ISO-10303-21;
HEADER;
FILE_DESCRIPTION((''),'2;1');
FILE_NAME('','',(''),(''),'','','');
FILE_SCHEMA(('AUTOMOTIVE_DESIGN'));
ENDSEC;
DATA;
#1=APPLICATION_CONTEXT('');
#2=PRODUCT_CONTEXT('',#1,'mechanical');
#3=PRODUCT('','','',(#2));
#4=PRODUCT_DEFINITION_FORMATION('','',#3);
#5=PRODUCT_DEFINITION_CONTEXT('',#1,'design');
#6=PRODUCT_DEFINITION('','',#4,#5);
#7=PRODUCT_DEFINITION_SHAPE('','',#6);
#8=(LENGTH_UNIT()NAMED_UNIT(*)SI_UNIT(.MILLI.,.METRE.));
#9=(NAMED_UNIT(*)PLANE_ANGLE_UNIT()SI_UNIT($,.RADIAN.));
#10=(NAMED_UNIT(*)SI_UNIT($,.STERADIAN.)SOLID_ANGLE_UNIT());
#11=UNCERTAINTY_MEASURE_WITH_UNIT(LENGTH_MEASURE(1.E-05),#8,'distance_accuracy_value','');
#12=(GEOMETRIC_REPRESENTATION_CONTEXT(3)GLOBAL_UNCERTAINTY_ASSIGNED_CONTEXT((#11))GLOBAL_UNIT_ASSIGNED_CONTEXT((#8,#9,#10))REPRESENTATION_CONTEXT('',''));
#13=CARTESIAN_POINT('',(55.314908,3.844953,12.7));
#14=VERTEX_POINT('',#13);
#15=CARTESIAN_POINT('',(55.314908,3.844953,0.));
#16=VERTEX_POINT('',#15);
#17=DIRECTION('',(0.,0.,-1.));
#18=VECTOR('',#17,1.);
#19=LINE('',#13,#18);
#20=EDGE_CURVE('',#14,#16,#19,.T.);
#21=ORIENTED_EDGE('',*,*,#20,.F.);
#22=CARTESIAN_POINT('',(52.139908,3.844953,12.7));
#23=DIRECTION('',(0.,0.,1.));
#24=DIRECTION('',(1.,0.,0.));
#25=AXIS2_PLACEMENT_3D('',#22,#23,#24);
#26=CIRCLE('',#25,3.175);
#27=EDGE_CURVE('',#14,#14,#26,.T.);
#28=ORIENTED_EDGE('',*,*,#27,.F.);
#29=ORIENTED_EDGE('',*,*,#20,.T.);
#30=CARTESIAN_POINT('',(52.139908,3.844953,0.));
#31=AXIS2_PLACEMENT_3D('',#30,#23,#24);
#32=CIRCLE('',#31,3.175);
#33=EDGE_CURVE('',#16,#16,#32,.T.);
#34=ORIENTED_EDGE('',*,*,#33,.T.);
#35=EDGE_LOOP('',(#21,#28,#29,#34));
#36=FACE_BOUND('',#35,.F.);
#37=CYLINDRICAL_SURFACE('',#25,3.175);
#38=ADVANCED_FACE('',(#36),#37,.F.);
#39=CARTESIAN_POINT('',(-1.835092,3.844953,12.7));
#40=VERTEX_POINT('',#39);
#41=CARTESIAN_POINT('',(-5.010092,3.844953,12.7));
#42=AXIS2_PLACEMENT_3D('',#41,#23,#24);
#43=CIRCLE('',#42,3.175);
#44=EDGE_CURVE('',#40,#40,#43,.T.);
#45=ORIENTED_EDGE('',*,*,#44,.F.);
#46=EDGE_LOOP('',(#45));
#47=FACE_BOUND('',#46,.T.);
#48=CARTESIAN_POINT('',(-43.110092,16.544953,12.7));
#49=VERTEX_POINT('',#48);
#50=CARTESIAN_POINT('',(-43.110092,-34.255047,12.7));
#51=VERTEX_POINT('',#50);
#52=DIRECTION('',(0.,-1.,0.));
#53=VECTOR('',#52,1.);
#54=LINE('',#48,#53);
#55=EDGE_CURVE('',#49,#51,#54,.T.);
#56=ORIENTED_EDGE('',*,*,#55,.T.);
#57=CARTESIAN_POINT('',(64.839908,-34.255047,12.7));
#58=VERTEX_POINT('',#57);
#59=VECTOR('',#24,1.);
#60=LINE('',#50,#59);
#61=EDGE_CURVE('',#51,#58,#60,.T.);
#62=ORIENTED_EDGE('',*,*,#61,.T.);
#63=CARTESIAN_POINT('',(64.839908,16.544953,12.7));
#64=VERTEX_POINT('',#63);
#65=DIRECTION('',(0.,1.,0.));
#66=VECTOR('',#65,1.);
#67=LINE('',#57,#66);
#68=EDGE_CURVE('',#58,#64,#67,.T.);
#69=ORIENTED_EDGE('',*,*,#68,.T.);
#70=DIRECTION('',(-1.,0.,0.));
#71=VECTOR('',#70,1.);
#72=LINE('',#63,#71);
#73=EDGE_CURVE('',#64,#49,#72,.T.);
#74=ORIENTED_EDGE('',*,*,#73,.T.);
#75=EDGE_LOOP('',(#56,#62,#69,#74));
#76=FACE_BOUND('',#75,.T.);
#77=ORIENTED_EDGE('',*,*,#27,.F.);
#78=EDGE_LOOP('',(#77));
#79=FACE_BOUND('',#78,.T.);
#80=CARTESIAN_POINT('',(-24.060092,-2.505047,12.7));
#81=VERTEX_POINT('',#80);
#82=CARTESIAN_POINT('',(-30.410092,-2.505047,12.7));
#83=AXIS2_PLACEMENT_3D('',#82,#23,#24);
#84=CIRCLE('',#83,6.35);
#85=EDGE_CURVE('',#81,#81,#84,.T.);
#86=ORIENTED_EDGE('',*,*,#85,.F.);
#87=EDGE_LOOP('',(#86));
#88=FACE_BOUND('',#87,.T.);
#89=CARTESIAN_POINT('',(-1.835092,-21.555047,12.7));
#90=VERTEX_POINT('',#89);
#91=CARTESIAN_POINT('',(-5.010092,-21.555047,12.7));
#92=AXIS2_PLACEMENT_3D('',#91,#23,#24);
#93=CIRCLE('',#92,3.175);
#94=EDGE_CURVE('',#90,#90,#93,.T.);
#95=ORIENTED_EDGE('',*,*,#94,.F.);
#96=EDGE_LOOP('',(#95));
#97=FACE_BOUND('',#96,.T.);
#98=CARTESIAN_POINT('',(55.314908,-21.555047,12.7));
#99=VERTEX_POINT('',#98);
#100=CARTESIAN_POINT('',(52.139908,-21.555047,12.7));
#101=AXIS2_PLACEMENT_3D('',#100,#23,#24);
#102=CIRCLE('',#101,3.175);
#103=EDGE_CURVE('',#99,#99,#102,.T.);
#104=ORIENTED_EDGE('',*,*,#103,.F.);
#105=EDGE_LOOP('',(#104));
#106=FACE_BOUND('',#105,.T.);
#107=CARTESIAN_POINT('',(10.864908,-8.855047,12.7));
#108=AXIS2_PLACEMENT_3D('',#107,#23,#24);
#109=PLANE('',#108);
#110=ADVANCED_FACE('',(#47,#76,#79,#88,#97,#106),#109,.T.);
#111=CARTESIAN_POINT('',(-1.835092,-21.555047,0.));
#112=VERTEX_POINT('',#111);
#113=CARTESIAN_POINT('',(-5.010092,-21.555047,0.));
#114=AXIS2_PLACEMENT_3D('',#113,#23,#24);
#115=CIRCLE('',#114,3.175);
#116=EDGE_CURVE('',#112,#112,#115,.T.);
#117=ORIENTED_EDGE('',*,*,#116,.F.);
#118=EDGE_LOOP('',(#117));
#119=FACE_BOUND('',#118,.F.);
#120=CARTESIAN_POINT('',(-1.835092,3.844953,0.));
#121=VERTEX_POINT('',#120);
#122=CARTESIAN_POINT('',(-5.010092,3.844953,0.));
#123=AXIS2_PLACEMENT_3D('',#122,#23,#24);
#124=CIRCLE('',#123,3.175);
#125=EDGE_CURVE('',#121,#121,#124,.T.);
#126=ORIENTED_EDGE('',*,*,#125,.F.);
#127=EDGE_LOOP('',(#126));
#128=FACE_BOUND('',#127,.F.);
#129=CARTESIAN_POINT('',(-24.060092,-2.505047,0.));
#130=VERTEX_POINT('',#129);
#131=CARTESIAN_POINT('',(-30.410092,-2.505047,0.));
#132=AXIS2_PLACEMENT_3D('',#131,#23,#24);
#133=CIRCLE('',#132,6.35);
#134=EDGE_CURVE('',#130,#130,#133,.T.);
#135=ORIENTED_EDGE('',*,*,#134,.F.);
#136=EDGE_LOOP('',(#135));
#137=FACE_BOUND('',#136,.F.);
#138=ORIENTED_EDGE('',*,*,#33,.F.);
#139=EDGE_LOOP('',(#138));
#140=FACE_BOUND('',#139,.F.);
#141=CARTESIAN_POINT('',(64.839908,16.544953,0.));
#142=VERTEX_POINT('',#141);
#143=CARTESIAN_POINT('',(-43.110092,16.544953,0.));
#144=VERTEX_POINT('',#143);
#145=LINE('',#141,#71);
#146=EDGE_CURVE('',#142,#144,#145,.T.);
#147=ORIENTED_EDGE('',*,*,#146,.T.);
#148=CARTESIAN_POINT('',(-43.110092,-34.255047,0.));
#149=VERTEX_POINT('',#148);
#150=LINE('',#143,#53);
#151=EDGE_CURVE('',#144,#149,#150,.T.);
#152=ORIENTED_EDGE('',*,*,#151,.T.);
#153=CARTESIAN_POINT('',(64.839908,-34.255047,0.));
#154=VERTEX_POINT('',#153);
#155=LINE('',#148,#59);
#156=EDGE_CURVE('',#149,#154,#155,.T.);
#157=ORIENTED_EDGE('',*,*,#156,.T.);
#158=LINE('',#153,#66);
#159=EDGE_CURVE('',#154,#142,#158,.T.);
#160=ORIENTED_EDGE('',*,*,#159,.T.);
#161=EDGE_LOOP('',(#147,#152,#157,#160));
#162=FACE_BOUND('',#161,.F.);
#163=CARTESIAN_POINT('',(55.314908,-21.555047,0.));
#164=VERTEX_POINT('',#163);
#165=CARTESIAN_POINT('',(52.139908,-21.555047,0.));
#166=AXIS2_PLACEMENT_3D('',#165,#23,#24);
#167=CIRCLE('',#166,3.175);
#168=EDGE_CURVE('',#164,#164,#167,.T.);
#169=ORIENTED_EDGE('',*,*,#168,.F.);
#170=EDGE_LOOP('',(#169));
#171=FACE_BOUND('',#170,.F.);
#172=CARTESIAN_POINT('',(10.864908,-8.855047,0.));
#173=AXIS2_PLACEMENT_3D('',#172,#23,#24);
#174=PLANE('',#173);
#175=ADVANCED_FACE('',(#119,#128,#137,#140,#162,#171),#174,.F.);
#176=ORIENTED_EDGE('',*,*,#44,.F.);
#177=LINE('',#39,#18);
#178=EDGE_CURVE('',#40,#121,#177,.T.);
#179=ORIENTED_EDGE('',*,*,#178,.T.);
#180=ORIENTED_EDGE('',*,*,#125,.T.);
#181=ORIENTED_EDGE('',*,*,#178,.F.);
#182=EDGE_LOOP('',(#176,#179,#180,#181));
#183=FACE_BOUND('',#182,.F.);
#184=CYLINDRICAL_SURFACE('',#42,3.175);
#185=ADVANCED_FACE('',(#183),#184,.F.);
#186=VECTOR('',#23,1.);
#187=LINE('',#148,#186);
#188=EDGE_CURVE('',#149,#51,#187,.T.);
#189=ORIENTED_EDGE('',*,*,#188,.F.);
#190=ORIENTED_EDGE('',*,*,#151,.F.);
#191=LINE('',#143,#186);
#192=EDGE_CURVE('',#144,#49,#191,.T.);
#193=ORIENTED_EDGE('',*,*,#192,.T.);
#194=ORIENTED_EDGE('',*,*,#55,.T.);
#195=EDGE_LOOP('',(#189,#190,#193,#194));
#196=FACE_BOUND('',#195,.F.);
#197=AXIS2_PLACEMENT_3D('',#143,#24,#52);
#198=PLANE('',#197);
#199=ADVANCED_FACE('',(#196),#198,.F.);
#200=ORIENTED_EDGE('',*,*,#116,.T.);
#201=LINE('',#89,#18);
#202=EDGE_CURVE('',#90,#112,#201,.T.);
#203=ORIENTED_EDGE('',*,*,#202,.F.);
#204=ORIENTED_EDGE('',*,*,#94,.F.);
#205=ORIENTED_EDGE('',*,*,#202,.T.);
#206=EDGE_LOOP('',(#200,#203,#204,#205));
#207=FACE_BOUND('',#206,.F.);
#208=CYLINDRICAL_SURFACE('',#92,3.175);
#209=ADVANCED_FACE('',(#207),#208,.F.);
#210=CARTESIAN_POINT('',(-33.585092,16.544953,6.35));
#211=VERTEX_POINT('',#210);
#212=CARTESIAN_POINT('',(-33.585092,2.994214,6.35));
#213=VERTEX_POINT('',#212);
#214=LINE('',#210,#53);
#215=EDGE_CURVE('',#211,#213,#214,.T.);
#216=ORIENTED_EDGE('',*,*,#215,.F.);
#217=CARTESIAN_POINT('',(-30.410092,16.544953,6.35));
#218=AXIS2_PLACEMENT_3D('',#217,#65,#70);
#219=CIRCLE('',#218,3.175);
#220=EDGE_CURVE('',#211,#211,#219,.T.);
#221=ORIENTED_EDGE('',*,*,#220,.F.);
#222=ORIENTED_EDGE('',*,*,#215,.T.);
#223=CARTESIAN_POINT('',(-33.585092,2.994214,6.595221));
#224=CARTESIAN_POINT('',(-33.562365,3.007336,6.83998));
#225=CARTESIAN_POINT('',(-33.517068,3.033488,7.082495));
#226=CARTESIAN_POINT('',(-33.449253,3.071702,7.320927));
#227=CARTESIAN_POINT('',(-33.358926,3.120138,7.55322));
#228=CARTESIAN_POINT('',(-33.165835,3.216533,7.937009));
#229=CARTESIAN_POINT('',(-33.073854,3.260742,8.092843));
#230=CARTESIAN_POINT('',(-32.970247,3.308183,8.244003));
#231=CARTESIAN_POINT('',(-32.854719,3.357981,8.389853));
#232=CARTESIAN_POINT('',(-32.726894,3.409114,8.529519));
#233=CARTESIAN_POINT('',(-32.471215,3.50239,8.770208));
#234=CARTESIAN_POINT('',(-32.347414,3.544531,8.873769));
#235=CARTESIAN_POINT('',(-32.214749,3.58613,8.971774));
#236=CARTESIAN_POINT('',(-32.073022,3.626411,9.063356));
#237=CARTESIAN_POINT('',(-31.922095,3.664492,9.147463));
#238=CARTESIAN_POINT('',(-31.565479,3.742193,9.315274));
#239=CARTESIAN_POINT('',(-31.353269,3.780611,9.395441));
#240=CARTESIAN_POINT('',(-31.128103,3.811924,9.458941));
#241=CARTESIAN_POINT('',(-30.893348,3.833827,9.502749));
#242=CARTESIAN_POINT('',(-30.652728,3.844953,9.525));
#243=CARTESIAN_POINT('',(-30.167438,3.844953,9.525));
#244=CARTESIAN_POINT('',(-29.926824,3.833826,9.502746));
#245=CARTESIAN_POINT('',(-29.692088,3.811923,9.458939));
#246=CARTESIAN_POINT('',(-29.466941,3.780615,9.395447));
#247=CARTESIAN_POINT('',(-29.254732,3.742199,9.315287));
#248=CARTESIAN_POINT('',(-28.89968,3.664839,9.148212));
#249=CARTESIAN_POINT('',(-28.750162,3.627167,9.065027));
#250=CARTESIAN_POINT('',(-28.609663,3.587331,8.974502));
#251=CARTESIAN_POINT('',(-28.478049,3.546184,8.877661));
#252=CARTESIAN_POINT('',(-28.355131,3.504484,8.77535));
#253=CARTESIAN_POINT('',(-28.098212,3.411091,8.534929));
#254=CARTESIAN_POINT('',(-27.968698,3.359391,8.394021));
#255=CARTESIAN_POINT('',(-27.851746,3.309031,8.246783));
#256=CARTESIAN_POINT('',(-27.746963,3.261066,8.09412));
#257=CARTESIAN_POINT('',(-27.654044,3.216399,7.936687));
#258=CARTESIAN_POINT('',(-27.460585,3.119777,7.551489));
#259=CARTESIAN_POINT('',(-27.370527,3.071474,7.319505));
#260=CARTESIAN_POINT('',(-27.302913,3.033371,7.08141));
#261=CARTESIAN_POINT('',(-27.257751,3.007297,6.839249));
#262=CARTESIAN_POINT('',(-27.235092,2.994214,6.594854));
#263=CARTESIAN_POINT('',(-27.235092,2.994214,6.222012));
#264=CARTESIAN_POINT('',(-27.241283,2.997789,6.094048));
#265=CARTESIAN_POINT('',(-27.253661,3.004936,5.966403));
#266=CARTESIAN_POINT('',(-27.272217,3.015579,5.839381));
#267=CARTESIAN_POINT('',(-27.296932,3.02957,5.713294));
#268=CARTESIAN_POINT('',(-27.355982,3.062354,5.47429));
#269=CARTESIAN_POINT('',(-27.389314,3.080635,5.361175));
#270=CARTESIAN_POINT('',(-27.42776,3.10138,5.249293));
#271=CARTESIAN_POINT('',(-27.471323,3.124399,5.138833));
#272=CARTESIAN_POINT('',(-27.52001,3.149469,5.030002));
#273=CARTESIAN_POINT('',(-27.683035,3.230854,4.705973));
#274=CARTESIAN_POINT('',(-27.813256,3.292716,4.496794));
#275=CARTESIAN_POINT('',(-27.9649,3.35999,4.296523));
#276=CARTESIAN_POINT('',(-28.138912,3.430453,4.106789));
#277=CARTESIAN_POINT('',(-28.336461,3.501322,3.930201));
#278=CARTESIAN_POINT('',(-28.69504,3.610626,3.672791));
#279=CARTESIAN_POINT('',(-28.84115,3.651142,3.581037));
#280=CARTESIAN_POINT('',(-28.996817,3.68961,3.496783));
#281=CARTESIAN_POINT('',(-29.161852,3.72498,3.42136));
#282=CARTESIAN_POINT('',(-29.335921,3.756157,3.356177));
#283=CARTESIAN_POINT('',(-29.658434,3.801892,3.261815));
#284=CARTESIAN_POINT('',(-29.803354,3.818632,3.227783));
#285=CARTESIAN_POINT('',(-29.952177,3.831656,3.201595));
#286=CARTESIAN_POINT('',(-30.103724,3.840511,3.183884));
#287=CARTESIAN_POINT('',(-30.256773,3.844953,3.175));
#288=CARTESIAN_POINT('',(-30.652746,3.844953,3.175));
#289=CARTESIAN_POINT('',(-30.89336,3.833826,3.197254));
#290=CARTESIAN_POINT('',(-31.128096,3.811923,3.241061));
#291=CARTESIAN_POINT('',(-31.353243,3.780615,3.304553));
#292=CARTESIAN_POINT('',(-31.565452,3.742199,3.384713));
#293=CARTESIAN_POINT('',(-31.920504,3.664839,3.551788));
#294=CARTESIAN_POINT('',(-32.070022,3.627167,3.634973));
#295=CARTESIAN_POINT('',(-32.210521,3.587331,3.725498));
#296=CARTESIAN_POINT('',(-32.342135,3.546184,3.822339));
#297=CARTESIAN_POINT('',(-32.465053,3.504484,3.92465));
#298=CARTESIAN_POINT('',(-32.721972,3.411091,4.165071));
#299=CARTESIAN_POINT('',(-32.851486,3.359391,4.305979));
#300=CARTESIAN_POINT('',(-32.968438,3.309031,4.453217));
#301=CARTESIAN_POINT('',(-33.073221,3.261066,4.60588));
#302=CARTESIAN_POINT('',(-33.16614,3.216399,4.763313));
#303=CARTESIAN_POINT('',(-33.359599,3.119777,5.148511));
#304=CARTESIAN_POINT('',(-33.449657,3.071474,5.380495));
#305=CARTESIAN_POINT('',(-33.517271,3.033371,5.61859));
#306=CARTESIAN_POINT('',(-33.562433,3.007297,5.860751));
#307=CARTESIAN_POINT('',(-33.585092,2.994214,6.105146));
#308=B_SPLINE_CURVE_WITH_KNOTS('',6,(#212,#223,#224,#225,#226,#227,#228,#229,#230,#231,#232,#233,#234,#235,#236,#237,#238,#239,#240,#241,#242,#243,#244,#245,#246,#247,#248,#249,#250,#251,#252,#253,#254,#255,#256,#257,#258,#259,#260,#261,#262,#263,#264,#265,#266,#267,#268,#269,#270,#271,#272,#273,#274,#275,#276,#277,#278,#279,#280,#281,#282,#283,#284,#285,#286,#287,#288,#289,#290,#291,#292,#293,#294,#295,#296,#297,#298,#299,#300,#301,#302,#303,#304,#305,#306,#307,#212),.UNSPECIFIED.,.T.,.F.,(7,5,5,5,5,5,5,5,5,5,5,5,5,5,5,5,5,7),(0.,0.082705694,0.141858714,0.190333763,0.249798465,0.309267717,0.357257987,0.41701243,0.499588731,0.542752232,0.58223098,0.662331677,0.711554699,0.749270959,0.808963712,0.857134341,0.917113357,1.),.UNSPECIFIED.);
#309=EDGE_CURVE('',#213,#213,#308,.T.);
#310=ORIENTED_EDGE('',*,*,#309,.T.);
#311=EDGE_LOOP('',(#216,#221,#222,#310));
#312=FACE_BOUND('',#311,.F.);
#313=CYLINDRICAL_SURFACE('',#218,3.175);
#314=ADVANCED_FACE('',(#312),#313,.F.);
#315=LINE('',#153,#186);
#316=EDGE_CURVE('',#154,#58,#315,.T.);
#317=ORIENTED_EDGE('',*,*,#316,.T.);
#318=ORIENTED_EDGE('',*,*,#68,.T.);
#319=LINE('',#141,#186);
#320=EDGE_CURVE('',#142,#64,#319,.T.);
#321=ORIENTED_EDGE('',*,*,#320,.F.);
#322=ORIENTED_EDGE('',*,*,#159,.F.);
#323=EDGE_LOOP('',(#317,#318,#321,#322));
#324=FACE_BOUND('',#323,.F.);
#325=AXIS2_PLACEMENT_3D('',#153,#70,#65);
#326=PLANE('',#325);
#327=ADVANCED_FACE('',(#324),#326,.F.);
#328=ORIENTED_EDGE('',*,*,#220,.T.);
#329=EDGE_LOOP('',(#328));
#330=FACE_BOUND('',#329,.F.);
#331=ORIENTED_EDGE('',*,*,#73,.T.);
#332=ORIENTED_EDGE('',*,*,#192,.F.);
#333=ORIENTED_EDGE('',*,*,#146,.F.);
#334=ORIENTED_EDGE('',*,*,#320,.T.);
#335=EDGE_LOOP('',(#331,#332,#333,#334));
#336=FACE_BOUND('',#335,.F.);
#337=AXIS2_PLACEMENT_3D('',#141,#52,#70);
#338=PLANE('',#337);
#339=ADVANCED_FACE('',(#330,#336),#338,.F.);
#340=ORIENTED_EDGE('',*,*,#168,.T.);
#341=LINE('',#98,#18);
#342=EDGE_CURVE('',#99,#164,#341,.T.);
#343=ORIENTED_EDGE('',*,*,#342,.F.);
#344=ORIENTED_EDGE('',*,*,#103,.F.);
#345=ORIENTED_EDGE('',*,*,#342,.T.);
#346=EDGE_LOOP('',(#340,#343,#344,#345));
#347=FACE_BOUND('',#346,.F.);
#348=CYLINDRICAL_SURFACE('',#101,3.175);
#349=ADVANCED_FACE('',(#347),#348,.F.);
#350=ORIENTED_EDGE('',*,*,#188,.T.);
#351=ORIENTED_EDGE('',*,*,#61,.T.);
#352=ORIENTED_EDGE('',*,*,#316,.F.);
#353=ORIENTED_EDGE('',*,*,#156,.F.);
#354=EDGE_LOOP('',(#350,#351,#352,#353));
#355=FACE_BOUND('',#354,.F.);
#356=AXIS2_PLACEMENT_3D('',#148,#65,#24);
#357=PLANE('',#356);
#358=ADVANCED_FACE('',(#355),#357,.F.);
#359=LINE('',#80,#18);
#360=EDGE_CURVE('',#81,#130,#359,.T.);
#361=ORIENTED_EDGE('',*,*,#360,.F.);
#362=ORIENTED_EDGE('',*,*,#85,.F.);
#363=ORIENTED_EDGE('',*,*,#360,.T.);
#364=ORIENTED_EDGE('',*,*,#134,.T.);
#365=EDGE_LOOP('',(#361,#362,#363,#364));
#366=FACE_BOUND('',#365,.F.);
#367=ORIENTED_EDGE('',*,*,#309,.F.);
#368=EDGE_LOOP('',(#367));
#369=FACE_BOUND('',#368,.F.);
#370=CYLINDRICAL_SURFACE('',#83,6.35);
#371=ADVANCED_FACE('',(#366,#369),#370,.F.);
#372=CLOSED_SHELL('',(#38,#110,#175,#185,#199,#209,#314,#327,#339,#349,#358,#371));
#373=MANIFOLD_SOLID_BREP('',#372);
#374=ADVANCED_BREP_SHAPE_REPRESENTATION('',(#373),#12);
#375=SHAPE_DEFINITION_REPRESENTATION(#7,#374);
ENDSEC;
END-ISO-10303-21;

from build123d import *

# Parameters (mm, degrees)
F1_DEPTH = 12.7
F2_R     = 3.175
F3_DEPTH = 25.4
F4_R     = 6.35
F5_DEPTH = 25.4
F6_R     = 3.175
F7_DEPTH = 19.05


with BuildPart() as f1:
    # F0 (on Top) → F1 (new body)
    with BuildSketch(Plane.XY):
        Polygon((64.839908, 16.544953), (0, 16.544953), (-43.110092, 16.544953), (-43.110092, -34.255047), (64.839908, -34.255047), align=None)
    extrude(amount=F1_DEPTH)

    # F2 (on face) → F3 (cut)
    with BuildSketch(Plane.XY.offset(12.7)):
        with Locations((-5.010092, -21.555047)):
            Circle(F2_R)
        with Locations((-5.010092, 3.844953)):
            Circle(F2_R)
        with Locations((52.139908, 3.844953)):
            Circle(F2_R)
        with Locations((52.139908, -21.555047)):
            Circle(F2_R)
    extrude(amount=-F3_DEPTH, mode=Mode.SUBTRACT)

    # F4 (on face) → F5 (cut)
    with BuildSketch(Plane.XY.offset(12.7)):
        with Locations((-30.410092, -2.505047)):
            Circle(F4_R)
    extrude(amount=-F5_DEPTH, mode=Mode.SUBTRACT)

    # F6 (on face) → F7 (cut)
    with BuildSketch(Plane(origin=(0, 16.544953, 0), x_dir=(-1, 0, 0), z_dir=(0, 1, 0))):
        with Locations((30.410092, 6.35)):
            Circle(F6_R)
    extrude(amount=-F7_DEPTH, mode=Mode.SUBTRACT)


solid = f1.part
